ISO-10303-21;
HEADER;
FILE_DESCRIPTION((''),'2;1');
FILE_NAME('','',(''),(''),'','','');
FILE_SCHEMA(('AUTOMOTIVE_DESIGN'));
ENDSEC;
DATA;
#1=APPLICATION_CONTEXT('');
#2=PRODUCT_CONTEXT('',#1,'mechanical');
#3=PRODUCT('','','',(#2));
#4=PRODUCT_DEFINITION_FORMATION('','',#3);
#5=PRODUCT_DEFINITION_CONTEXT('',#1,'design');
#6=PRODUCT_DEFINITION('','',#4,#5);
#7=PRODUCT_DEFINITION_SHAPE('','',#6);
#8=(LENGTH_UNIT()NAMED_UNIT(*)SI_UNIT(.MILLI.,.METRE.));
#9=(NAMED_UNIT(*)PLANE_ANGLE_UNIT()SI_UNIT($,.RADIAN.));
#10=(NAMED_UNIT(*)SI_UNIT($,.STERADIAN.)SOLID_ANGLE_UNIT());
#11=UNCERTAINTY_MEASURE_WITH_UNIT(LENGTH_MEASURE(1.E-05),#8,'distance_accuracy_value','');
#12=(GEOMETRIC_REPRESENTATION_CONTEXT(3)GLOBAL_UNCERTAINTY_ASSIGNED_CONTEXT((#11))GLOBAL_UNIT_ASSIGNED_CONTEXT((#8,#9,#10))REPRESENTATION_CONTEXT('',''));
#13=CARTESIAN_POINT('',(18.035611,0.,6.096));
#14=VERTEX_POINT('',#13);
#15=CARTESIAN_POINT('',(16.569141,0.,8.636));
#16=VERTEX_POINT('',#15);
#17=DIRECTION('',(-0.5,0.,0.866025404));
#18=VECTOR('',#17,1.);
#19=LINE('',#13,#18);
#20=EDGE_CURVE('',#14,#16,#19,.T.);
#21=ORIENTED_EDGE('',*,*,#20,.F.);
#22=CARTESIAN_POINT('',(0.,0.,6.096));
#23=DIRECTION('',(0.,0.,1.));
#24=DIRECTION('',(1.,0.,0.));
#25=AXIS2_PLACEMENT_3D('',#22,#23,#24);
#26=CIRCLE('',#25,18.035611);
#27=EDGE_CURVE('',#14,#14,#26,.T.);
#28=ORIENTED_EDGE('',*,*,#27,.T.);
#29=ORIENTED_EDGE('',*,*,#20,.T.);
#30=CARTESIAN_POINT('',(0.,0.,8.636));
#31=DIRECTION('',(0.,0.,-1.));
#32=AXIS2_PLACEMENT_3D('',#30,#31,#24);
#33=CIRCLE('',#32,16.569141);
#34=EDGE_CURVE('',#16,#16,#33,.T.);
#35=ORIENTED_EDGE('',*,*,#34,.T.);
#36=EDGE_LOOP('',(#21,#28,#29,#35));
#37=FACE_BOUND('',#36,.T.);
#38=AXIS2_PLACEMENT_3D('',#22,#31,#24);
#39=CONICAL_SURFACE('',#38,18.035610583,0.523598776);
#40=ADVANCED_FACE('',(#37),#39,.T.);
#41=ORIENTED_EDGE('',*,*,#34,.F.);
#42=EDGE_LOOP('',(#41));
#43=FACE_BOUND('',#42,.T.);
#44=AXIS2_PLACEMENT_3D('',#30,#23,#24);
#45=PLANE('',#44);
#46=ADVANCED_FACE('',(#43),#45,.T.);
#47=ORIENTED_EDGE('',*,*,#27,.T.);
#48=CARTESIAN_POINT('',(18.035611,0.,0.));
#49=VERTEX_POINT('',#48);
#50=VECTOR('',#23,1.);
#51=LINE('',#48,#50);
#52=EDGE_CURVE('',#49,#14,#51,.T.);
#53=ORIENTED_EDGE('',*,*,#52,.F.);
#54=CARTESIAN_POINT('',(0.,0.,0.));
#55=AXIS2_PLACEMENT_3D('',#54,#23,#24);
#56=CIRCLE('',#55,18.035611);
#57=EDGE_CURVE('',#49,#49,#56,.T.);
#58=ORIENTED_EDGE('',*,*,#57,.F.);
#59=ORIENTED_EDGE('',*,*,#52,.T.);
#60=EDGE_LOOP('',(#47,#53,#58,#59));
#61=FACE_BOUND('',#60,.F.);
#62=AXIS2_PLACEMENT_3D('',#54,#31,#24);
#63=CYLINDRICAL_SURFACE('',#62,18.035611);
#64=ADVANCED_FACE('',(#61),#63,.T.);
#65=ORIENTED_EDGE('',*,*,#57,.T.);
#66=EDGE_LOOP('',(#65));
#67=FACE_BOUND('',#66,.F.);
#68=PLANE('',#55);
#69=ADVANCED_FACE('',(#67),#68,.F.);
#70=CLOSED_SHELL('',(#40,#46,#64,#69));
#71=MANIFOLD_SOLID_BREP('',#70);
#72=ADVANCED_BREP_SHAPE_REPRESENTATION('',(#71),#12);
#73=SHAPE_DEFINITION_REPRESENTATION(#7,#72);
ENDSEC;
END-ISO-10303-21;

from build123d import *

# Parameters (mm, degrees)
F0_R      = 18.0356105831
F1_DEPTH  = 6.096
F1_FACE_R = 18.0356105831
F2_DEPTH  = 2.54
F2_TAPER  = 30


with BuildPart() as f1:
    # F0 (on Top) → F1 (new body)
    with BuildSketch(Plane.XY):
        Circle(F0_R)
    extrude(amount=F1_DEPTH)

    # F1_face (on face) → F2 (join)
    with BuildSketch(Plane.XY.offset(6.096)):
        Circle(F1_FACE_R)
    extrude(amount=F2_DEPTH, taper=F2_TAPER)


solid = f1.part
